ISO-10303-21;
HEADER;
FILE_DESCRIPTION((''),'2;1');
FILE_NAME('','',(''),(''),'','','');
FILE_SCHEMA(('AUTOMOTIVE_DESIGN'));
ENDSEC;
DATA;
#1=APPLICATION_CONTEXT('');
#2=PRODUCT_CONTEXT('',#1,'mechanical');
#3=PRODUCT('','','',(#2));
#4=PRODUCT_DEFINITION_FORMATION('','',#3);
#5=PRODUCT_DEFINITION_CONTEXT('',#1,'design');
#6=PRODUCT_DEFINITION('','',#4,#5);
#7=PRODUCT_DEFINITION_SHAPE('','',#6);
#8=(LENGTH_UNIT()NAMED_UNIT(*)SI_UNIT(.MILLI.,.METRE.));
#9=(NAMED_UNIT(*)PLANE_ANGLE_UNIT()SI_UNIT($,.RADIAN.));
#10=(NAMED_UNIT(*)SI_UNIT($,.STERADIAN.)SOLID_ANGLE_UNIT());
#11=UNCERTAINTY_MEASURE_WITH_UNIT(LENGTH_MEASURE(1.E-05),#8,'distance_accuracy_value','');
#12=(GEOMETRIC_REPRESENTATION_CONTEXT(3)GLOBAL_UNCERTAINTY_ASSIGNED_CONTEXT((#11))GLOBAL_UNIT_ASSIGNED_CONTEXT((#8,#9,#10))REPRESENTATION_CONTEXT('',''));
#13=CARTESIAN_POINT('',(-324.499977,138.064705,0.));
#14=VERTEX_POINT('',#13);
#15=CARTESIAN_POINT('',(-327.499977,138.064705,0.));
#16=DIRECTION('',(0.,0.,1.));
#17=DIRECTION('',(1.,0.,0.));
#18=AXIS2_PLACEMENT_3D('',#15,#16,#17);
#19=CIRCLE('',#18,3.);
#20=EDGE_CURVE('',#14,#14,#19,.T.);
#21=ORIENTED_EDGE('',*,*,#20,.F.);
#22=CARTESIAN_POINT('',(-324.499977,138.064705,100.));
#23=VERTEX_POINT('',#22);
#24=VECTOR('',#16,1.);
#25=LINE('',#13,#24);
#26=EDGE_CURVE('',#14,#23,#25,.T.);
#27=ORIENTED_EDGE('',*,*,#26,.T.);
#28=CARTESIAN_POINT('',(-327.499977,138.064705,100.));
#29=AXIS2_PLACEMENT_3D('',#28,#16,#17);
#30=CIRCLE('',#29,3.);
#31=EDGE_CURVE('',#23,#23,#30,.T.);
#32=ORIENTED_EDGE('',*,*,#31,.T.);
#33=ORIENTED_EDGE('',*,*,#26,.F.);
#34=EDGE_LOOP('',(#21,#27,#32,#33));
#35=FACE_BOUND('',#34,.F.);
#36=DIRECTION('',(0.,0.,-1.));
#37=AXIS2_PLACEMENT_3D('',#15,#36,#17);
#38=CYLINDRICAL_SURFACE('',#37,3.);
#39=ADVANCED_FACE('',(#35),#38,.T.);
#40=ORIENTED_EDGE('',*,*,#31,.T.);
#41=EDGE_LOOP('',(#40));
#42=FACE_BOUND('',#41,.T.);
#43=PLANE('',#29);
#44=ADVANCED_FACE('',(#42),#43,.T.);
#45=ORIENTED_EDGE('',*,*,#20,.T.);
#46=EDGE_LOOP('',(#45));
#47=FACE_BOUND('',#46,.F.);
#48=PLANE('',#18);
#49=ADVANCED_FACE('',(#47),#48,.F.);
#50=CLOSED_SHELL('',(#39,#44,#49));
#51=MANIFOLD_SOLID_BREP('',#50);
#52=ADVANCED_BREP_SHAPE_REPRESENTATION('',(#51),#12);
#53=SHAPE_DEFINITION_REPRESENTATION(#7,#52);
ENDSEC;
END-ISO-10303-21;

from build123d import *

# Parameters (mm, degrees)
SKETCH1_R           = 3
BOSS_EXTRUDE1_DEPTH = 100


with BuildPart() as part:
    # Sketch1 → Boss-Extrude1 (new body)
    with BuildSketch(Plane.XY):
        with Locations((-327.499977221, 138.064705284)):
            Circle(SKETCH1_R)
    extrude(amount=BOSS_EXTRUDE1_DEPTH)


solid = part.part
